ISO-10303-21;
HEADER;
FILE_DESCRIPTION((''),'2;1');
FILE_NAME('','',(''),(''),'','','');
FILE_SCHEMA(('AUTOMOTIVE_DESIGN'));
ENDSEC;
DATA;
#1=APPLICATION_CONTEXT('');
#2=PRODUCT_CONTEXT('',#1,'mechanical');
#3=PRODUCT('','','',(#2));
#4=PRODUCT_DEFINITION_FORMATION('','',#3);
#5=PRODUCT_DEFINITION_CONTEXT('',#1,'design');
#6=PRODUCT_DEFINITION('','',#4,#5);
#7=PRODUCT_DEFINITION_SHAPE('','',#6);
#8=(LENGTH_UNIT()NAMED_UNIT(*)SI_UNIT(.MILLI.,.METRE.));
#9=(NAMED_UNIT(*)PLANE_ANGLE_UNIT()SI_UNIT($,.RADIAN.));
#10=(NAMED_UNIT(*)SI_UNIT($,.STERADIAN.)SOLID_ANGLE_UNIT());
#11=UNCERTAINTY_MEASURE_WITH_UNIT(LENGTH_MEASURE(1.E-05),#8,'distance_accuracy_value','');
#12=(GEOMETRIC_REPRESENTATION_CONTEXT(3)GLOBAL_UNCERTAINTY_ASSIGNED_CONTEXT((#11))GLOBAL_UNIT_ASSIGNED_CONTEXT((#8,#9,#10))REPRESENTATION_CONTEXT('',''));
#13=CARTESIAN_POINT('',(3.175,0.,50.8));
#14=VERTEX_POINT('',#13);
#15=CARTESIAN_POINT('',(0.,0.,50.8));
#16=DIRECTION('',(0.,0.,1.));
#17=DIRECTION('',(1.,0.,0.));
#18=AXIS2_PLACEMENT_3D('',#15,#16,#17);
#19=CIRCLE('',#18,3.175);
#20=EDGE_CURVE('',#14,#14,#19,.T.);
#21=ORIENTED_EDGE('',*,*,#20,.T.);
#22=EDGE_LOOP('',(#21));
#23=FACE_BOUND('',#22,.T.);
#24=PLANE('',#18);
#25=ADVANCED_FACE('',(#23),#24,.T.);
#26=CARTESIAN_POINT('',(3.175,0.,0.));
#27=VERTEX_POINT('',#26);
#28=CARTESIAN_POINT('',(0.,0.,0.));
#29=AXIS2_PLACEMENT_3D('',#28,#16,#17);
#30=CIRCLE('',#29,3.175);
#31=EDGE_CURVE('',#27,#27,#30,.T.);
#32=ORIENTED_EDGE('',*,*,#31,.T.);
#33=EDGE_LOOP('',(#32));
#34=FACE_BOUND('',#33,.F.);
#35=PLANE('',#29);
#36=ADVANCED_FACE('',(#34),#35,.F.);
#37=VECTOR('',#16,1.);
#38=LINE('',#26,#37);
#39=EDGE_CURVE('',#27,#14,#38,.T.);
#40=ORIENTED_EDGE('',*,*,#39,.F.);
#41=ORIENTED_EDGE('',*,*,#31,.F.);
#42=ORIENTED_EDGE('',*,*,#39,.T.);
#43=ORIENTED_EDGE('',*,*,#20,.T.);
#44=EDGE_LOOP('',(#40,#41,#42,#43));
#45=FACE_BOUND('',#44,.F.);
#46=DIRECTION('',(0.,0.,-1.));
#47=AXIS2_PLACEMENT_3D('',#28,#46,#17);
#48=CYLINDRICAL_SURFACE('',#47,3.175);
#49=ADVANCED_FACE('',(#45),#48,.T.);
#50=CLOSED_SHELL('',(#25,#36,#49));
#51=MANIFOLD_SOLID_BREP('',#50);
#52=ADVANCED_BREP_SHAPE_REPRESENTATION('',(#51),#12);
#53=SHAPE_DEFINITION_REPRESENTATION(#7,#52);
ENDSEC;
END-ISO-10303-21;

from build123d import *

# Parameters (mm, degrees)
SKETCH1_R        = 3.175
EXTRUSION1_DEPTH = 50.8


with BuildPart() as part:
    # Sketch1 → Extrusion1 (new body)
    with BuildSketch(Plane.XY):
        Circle(SKETCH1_R)
    extrude(amount=EXTRUSION1_DEPTH)


solid = part.part
